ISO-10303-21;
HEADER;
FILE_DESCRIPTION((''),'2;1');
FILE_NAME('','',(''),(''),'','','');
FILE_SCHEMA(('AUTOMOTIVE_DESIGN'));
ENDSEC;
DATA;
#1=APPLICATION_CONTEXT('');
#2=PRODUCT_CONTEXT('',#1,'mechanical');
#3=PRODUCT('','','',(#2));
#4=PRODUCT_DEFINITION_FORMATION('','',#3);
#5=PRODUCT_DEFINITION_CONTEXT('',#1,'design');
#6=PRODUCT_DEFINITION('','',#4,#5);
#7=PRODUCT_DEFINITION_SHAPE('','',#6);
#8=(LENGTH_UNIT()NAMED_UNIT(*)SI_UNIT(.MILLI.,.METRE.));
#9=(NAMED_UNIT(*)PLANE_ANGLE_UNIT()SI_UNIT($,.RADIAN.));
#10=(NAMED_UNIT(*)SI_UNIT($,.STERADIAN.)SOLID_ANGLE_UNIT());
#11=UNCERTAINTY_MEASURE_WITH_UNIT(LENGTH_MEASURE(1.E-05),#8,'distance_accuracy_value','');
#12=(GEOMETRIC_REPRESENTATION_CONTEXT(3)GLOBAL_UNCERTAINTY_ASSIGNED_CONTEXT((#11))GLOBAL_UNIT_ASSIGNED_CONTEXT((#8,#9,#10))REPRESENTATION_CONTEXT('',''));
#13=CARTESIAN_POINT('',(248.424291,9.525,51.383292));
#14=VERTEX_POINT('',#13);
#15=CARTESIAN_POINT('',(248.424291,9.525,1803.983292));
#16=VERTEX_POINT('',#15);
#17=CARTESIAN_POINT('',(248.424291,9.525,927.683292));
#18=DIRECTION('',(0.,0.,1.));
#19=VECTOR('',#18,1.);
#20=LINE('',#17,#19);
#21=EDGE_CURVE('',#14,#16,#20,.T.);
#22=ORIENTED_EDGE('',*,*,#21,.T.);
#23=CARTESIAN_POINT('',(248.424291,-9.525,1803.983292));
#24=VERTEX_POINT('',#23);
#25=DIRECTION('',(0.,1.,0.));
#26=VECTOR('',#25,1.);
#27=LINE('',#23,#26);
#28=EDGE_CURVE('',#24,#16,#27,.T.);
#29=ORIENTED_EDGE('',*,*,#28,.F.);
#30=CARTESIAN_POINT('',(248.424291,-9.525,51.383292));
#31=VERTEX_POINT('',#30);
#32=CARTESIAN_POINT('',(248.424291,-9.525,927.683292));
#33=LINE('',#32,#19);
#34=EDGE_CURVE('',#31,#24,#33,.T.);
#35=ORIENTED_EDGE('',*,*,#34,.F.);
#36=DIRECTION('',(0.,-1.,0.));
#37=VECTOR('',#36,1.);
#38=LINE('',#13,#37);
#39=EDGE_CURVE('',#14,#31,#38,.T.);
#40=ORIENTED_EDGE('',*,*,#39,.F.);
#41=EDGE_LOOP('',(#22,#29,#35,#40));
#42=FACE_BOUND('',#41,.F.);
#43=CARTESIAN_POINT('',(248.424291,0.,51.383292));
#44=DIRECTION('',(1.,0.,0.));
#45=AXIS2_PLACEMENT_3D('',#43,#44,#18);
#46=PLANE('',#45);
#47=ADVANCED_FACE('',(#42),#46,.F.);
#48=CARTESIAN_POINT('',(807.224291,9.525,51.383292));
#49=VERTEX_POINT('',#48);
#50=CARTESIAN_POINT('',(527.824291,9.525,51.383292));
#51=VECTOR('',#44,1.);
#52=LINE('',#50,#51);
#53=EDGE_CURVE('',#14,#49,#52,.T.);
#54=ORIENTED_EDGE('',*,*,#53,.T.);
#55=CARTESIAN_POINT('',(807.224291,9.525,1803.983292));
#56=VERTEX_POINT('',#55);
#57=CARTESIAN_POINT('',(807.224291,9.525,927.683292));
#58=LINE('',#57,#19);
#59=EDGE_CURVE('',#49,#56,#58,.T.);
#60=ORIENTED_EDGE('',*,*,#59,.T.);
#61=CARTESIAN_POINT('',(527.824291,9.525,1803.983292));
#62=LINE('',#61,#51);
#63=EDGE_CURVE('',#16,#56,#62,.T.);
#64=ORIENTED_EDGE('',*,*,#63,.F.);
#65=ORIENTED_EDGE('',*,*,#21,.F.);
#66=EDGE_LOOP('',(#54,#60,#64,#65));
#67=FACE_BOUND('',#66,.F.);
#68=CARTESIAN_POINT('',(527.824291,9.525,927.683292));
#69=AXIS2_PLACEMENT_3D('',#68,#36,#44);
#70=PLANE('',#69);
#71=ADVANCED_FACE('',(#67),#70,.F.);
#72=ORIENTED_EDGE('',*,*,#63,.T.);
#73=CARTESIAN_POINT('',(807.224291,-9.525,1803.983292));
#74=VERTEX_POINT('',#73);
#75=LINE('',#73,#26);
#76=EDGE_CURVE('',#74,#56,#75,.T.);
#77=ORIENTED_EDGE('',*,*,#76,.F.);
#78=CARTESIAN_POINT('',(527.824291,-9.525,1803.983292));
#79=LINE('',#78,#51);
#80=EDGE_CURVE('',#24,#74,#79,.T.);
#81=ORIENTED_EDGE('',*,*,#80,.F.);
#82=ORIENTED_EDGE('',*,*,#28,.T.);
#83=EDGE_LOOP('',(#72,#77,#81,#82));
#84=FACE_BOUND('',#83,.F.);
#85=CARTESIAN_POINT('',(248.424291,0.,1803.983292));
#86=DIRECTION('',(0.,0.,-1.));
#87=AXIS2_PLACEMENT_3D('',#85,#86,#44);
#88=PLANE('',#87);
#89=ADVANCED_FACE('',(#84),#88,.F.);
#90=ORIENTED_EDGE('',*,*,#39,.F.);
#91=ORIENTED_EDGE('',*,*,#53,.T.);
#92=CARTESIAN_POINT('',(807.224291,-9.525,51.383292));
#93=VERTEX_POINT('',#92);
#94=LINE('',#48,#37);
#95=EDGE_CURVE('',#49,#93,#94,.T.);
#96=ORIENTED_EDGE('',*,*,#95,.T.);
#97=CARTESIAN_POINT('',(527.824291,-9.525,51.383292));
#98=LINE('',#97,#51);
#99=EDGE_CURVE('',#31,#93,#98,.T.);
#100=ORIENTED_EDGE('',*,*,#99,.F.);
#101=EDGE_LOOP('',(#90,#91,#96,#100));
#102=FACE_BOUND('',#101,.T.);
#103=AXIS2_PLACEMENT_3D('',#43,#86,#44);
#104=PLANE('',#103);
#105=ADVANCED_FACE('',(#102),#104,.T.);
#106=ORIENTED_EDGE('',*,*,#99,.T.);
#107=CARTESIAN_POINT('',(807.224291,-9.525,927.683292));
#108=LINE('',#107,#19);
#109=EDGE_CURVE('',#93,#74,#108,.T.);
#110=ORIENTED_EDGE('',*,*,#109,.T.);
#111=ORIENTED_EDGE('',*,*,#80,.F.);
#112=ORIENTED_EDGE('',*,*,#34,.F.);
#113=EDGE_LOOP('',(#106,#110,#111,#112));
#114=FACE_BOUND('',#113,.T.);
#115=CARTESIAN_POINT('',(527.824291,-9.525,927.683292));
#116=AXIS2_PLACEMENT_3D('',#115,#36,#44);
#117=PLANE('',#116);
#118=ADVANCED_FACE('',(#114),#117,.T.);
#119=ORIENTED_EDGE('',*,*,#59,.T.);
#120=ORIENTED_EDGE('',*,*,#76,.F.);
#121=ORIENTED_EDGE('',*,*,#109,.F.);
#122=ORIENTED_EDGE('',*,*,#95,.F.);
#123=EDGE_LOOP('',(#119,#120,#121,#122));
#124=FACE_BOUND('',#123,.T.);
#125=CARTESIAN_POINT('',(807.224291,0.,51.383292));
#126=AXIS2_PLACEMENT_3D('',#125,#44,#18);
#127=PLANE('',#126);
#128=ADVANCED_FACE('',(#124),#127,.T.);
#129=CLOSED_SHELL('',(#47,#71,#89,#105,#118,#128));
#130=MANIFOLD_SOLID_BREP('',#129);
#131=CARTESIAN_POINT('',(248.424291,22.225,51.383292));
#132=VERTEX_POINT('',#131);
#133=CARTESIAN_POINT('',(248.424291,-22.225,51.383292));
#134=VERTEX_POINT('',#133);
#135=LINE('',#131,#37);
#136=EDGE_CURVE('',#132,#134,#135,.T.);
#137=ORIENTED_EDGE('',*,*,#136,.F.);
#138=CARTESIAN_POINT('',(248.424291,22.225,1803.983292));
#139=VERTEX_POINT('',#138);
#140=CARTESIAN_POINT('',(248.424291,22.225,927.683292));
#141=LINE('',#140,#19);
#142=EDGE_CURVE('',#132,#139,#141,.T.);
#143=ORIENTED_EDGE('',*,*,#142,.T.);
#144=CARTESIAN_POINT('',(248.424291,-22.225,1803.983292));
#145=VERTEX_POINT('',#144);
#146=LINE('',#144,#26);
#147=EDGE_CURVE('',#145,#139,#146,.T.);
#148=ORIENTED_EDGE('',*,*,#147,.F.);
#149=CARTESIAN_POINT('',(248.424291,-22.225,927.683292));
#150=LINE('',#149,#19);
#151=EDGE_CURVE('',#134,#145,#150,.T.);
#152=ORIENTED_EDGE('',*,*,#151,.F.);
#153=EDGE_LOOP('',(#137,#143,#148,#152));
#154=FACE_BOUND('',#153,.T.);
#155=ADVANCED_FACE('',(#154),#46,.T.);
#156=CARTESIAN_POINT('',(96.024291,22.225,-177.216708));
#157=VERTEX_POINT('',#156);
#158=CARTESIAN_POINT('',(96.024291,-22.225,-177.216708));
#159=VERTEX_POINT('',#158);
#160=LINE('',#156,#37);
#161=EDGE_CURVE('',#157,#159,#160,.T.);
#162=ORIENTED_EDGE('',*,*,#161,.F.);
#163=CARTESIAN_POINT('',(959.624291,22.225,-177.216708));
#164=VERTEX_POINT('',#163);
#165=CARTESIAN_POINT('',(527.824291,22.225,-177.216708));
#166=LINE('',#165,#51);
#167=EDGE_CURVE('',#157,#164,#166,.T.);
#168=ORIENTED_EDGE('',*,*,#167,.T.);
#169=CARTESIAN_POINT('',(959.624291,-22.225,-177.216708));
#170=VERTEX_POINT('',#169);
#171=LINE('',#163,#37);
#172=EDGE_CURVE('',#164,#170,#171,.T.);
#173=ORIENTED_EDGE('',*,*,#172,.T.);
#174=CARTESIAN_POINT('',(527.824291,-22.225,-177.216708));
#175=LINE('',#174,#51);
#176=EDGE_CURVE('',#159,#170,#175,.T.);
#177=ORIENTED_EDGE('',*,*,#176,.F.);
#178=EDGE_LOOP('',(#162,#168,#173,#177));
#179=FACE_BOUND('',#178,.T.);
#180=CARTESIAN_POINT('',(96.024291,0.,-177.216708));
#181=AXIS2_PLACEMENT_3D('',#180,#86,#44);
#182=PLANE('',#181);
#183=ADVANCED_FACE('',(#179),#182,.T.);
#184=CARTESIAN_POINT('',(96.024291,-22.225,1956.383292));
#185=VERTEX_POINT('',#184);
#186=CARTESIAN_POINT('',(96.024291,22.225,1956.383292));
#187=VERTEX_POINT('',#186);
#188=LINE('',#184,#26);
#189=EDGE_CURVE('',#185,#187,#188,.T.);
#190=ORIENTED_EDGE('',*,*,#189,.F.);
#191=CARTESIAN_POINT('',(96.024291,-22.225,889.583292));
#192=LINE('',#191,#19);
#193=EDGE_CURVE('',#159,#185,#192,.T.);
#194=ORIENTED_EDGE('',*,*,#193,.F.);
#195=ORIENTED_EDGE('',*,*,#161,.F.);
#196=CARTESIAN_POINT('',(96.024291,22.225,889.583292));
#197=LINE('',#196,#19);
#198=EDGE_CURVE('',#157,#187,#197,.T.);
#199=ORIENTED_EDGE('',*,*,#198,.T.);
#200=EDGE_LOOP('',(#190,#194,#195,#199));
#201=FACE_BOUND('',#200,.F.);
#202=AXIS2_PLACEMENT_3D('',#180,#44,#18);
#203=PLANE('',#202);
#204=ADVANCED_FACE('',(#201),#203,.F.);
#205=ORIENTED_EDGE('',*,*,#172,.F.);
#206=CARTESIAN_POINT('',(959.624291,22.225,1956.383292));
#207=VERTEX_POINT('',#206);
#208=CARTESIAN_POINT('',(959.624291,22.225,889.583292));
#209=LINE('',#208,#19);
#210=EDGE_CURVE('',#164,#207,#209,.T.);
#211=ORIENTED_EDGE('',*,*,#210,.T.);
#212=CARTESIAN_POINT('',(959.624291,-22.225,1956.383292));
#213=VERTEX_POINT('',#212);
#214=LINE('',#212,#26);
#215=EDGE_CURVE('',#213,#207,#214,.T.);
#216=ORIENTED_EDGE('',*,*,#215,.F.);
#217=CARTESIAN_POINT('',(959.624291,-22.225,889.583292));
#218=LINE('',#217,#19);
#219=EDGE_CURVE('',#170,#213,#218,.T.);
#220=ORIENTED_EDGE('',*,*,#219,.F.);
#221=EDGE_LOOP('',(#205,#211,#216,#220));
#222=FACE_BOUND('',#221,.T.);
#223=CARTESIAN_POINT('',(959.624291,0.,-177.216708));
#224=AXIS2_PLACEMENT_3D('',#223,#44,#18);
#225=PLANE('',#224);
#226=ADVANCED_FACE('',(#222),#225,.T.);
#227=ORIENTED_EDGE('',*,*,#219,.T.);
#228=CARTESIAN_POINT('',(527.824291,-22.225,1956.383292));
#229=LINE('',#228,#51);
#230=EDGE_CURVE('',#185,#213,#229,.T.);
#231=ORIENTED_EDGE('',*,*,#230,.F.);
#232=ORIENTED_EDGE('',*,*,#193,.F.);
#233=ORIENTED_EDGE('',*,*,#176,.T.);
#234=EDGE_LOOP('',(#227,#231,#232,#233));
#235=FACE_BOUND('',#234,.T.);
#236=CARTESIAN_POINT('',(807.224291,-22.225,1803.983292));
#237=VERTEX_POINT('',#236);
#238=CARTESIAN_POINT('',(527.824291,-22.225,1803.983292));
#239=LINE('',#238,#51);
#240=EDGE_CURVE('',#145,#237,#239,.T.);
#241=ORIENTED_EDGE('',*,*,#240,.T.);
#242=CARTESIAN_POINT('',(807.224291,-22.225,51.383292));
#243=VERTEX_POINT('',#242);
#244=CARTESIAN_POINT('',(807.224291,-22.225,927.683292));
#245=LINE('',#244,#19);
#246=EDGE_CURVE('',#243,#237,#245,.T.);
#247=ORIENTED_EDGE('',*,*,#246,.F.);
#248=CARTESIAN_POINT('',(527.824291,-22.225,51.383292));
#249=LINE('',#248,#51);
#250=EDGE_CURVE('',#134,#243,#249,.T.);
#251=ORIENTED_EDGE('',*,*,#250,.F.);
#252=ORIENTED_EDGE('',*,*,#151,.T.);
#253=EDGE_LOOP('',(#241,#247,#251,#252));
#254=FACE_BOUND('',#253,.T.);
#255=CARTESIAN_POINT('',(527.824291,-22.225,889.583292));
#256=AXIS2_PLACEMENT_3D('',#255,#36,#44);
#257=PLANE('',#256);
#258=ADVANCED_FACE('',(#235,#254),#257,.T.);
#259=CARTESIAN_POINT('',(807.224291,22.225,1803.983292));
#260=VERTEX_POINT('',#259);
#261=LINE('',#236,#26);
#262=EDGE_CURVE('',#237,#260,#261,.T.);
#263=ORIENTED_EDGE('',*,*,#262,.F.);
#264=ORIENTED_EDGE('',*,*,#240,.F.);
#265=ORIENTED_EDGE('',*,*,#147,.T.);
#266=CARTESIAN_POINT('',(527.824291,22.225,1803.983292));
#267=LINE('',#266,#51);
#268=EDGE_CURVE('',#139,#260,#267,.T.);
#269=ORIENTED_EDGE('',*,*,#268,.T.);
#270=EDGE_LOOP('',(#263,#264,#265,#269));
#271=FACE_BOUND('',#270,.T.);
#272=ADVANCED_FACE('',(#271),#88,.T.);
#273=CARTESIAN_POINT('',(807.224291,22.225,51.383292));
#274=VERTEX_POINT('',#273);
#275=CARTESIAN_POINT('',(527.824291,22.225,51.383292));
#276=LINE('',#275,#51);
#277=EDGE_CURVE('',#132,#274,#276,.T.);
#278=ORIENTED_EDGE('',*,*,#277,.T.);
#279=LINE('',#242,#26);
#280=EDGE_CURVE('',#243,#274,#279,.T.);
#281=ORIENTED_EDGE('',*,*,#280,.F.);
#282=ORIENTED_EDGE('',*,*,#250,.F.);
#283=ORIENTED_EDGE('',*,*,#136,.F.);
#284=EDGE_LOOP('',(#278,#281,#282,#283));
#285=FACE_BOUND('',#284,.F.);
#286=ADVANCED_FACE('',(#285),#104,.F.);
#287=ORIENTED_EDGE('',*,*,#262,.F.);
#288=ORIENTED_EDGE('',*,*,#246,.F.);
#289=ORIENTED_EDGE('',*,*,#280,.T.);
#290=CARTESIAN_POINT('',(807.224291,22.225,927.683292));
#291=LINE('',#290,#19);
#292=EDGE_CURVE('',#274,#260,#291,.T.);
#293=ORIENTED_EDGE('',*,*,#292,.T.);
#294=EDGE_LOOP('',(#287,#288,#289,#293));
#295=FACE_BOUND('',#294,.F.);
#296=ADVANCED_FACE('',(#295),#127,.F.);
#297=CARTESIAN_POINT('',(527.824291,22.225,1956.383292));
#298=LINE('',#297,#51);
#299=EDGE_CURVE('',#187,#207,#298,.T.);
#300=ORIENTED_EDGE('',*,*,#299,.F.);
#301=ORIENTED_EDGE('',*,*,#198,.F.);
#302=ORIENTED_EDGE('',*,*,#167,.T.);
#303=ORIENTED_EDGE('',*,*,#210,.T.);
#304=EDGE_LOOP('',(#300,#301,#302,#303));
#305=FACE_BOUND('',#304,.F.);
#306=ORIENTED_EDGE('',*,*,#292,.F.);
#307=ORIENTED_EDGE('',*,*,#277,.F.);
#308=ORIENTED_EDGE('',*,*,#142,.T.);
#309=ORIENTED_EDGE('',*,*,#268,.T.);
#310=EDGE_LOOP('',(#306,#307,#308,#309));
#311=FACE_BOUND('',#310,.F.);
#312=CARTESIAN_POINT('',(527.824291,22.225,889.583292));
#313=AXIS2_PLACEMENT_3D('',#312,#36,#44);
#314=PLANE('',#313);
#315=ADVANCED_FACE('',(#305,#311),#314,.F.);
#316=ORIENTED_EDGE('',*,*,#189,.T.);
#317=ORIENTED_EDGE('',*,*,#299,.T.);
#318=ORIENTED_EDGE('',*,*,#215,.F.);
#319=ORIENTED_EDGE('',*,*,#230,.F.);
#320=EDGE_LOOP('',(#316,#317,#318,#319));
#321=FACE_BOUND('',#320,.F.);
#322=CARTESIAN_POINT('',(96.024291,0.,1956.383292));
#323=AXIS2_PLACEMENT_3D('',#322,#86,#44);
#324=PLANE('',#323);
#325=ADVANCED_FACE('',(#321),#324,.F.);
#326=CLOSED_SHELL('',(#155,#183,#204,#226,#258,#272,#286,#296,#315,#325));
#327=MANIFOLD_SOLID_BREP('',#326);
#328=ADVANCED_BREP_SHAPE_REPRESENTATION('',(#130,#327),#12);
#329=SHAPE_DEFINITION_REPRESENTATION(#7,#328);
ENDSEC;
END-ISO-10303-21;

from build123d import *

# Parameters (mm, degrees)
F0_W     = 863.6
F0_H     = 2133.6
F0_W_2   = 558.8
F0_H_2   = 1752.6
F1_DEPTH = 22.225
F2_DEPTH = 9.525


with BuildPart() as f1:
    # F0 (on Front) → F1 (new body, symmetric)
    with BuildSketch(Plane.XZ):
        with Locations((527.824291, 889.583292)):
            Rectangle(F0_W, F0_H)
        with Locations((527.824291, 927.683292)):
            Rectangle(F0_W_2, F0_H_2, mode=Mode.SUBTRACT)
    extrude(amount=F1_DEPTH, both=True)


with BuildPart() as f2:
    # F0 (on Front) → F2 (new body, symmetric)
    with BuildSketch(Plane.XZ):
        with Locations((527.824291, 927.683292)):
            Rectangle(F0_W_2, F0_H_2)
    extrude(amount=F2_DEPTH, both=True)


solid = Compound([f1.part, f2.part])
